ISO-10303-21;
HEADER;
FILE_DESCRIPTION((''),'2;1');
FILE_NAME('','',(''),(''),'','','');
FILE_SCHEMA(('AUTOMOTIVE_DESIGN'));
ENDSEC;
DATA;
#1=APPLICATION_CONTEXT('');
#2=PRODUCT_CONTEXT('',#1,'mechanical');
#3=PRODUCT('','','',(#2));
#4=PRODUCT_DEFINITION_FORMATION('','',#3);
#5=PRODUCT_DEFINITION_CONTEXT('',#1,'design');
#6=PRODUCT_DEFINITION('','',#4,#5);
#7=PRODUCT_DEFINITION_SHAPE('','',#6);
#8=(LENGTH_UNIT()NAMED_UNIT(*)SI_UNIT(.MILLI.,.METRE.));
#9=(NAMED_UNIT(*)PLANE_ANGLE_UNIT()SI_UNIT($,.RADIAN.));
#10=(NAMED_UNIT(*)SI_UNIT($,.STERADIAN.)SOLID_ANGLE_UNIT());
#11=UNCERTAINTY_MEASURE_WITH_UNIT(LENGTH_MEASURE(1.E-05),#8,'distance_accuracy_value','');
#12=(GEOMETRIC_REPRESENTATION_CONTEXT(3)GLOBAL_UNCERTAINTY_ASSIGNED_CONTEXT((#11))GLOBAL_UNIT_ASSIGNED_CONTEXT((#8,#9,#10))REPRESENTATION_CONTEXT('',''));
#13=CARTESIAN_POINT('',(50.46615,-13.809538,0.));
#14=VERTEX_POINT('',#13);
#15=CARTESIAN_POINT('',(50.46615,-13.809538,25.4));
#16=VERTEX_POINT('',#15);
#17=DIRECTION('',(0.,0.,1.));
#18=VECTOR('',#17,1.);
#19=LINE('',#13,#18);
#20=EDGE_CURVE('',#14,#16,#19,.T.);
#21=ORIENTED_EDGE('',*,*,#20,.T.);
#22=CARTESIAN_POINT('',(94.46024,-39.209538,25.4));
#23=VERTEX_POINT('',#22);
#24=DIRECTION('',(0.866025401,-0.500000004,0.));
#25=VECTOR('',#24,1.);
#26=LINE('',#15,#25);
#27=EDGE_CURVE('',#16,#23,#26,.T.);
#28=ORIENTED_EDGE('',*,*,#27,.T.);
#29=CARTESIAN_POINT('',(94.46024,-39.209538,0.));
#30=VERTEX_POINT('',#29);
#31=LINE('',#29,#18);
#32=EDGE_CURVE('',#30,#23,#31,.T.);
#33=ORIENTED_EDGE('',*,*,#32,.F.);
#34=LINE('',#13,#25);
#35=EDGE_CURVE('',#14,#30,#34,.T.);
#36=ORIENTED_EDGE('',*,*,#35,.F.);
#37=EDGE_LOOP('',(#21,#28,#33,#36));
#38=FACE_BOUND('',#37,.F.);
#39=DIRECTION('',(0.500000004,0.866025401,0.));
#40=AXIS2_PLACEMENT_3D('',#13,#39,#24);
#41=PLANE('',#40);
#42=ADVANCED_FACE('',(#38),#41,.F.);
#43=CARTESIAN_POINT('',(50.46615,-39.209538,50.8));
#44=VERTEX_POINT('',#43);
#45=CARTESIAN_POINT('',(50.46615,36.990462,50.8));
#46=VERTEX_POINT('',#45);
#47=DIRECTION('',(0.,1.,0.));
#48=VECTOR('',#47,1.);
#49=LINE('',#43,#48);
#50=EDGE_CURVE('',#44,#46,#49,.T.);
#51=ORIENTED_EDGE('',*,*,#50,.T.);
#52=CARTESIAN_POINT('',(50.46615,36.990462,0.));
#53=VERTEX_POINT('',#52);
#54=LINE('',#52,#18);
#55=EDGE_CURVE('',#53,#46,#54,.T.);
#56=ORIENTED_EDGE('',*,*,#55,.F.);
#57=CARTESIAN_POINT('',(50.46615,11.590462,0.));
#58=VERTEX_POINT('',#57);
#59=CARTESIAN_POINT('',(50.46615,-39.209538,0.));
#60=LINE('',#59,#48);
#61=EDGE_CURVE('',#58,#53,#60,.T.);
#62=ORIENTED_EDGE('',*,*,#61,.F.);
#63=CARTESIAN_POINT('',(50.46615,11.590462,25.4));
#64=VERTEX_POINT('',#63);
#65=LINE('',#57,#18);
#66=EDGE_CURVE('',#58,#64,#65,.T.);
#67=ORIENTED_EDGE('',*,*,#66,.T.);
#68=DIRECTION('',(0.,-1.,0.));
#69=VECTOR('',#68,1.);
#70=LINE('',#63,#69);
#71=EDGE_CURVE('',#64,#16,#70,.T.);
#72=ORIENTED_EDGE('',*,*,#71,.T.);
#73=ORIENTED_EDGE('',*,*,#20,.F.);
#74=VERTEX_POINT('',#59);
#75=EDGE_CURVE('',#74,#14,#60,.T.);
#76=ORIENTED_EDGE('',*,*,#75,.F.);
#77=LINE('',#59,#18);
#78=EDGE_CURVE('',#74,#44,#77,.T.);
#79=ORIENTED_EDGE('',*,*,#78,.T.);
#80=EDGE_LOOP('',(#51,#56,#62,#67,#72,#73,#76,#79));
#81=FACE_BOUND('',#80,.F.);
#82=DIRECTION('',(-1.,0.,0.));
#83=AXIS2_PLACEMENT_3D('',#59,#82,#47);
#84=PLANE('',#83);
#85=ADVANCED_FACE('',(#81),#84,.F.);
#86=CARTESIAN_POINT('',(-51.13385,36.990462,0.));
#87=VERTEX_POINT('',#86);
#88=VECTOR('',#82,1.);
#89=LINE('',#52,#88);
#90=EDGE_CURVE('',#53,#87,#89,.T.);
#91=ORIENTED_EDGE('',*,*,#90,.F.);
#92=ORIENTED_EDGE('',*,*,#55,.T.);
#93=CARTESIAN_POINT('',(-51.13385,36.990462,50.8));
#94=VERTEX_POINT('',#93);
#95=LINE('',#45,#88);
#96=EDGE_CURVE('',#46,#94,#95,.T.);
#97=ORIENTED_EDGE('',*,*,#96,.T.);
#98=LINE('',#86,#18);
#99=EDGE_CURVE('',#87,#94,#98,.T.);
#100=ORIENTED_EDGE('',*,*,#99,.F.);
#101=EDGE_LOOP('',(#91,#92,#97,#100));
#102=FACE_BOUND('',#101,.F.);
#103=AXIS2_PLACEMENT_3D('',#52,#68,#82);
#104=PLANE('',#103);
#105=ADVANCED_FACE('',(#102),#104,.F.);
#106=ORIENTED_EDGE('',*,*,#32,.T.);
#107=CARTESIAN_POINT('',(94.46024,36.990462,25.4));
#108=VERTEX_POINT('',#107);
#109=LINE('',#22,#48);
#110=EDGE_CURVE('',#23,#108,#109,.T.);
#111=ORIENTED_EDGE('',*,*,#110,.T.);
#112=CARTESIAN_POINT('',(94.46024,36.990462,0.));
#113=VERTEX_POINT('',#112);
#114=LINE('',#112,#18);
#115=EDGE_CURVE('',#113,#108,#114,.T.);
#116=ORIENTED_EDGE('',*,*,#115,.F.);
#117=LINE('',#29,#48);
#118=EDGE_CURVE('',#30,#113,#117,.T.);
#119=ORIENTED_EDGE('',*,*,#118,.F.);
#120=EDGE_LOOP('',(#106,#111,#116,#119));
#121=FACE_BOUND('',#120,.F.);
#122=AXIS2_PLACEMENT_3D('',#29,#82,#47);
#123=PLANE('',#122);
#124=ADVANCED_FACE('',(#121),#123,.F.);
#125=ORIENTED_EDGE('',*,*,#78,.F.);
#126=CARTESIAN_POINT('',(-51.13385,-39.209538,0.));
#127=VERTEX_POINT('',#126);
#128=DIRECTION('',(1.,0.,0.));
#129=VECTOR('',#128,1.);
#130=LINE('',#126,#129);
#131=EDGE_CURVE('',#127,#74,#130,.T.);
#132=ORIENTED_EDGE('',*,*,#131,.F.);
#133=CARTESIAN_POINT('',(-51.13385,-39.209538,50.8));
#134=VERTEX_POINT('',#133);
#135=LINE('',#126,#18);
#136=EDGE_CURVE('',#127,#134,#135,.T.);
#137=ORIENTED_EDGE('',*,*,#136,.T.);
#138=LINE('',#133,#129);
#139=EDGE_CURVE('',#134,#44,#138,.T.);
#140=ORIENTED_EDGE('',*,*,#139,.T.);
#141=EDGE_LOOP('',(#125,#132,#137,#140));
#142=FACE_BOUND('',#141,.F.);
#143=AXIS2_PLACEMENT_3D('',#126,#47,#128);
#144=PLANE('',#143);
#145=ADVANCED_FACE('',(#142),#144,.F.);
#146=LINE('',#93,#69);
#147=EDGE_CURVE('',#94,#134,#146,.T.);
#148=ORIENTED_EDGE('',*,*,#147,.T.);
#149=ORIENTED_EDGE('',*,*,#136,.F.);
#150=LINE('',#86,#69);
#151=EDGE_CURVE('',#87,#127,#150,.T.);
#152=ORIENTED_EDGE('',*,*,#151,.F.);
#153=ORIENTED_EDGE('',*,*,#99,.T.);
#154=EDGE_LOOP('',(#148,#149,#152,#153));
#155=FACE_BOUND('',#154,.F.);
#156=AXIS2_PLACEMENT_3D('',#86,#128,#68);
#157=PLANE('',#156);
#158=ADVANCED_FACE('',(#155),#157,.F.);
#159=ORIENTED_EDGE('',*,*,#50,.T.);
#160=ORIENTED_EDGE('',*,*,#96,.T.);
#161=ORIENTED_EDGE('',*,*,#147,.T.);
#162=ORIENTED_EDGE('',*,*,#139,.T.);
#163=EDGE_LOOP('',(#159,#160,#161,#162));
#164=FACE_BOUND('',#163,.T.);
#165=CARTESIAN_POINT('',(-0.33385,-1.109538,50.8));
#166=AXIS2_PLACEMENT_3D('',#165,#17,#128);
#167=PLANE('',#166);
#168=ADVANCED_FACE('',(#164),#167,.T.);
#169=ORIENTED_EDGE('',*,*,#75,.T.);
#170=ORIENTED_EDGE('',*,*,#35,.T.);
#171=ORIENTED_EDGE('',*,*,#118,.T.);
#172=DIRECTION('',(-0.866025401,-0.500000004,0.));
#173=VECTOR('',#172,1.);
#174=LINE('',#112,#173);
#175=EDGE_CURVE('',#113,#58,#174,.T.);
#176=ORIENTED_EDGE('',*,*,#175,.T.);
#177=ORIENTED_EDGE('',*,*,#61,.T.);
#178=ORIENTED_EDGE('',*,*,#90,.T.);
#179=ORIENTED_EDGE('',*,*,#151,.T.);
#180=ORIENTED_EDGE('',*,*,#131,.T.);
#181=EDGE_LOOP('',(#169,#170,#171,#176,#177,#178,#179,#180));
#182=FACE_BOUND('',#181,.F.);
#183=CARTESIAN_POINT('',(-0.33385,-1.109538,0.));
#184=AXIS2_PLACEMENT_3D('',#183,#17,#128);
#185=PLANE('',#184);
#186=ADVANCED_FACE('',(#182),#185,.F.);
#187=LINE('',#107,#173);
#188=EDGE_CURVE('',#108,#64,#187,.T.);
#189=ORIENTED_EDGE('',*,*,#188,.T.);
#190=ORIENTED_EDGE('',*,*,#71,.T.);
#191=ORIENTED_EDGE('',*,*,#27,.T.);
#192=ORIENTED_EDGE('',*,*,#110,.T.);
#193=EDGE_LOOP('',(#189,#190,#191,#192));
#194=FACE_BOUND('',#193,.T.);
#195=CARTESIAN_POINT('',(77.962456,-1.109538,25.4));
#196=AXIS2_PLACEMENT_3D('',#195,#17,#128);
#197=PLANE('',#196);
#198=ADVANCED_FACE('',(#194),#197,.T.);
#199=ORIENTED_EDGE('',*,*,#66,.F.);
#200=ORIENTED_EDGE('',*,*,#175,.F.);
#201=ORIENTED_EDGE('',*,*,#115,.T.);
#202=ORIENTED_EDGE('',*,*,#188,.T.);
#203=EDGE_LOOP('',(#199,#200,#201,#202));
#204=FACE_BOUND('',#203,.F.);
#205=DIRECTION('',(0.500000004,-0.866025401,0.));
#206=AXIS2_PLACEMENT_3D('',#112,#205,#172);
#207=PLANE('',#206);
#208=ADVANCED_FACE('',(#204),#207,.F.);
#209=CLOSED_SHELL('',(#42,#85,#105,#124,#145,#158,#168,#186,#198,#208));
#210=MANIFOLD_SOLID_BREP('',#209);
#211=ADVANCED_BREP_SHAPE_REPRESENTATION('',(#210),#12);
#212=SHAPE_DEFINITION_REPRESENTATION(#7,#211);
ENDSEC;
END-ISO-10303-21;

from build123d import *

# Parameters (mm, degrees)
F1_DEPTH = 25.4
F2_DEPTH = 50.8


with BuildPart() as f1:
    # F0 (on Top) → F1 (new body)
    with BuildSketch(Plane.XY):
        Polygon((94.46024, 36.990462), (50.46615, 11.590462), (50.46615, -13.809538), (94.46024, -39.209538), align=None)
    extrude(amount=F1_DEPTH)

    # F0 (on Top) → F2 (join)
    with BuildSketch(Plane.XY):
        Polygon((50.46615, 36.990462), (-51.13385, 36.990462), (-51.13385, -39.209538), (50.46615, -39.209538), (50.46615, -13.809538), (50.46615, 11.590462), align=None)
    extrude(amount=F2_DEPTH)


solid = f1.part
